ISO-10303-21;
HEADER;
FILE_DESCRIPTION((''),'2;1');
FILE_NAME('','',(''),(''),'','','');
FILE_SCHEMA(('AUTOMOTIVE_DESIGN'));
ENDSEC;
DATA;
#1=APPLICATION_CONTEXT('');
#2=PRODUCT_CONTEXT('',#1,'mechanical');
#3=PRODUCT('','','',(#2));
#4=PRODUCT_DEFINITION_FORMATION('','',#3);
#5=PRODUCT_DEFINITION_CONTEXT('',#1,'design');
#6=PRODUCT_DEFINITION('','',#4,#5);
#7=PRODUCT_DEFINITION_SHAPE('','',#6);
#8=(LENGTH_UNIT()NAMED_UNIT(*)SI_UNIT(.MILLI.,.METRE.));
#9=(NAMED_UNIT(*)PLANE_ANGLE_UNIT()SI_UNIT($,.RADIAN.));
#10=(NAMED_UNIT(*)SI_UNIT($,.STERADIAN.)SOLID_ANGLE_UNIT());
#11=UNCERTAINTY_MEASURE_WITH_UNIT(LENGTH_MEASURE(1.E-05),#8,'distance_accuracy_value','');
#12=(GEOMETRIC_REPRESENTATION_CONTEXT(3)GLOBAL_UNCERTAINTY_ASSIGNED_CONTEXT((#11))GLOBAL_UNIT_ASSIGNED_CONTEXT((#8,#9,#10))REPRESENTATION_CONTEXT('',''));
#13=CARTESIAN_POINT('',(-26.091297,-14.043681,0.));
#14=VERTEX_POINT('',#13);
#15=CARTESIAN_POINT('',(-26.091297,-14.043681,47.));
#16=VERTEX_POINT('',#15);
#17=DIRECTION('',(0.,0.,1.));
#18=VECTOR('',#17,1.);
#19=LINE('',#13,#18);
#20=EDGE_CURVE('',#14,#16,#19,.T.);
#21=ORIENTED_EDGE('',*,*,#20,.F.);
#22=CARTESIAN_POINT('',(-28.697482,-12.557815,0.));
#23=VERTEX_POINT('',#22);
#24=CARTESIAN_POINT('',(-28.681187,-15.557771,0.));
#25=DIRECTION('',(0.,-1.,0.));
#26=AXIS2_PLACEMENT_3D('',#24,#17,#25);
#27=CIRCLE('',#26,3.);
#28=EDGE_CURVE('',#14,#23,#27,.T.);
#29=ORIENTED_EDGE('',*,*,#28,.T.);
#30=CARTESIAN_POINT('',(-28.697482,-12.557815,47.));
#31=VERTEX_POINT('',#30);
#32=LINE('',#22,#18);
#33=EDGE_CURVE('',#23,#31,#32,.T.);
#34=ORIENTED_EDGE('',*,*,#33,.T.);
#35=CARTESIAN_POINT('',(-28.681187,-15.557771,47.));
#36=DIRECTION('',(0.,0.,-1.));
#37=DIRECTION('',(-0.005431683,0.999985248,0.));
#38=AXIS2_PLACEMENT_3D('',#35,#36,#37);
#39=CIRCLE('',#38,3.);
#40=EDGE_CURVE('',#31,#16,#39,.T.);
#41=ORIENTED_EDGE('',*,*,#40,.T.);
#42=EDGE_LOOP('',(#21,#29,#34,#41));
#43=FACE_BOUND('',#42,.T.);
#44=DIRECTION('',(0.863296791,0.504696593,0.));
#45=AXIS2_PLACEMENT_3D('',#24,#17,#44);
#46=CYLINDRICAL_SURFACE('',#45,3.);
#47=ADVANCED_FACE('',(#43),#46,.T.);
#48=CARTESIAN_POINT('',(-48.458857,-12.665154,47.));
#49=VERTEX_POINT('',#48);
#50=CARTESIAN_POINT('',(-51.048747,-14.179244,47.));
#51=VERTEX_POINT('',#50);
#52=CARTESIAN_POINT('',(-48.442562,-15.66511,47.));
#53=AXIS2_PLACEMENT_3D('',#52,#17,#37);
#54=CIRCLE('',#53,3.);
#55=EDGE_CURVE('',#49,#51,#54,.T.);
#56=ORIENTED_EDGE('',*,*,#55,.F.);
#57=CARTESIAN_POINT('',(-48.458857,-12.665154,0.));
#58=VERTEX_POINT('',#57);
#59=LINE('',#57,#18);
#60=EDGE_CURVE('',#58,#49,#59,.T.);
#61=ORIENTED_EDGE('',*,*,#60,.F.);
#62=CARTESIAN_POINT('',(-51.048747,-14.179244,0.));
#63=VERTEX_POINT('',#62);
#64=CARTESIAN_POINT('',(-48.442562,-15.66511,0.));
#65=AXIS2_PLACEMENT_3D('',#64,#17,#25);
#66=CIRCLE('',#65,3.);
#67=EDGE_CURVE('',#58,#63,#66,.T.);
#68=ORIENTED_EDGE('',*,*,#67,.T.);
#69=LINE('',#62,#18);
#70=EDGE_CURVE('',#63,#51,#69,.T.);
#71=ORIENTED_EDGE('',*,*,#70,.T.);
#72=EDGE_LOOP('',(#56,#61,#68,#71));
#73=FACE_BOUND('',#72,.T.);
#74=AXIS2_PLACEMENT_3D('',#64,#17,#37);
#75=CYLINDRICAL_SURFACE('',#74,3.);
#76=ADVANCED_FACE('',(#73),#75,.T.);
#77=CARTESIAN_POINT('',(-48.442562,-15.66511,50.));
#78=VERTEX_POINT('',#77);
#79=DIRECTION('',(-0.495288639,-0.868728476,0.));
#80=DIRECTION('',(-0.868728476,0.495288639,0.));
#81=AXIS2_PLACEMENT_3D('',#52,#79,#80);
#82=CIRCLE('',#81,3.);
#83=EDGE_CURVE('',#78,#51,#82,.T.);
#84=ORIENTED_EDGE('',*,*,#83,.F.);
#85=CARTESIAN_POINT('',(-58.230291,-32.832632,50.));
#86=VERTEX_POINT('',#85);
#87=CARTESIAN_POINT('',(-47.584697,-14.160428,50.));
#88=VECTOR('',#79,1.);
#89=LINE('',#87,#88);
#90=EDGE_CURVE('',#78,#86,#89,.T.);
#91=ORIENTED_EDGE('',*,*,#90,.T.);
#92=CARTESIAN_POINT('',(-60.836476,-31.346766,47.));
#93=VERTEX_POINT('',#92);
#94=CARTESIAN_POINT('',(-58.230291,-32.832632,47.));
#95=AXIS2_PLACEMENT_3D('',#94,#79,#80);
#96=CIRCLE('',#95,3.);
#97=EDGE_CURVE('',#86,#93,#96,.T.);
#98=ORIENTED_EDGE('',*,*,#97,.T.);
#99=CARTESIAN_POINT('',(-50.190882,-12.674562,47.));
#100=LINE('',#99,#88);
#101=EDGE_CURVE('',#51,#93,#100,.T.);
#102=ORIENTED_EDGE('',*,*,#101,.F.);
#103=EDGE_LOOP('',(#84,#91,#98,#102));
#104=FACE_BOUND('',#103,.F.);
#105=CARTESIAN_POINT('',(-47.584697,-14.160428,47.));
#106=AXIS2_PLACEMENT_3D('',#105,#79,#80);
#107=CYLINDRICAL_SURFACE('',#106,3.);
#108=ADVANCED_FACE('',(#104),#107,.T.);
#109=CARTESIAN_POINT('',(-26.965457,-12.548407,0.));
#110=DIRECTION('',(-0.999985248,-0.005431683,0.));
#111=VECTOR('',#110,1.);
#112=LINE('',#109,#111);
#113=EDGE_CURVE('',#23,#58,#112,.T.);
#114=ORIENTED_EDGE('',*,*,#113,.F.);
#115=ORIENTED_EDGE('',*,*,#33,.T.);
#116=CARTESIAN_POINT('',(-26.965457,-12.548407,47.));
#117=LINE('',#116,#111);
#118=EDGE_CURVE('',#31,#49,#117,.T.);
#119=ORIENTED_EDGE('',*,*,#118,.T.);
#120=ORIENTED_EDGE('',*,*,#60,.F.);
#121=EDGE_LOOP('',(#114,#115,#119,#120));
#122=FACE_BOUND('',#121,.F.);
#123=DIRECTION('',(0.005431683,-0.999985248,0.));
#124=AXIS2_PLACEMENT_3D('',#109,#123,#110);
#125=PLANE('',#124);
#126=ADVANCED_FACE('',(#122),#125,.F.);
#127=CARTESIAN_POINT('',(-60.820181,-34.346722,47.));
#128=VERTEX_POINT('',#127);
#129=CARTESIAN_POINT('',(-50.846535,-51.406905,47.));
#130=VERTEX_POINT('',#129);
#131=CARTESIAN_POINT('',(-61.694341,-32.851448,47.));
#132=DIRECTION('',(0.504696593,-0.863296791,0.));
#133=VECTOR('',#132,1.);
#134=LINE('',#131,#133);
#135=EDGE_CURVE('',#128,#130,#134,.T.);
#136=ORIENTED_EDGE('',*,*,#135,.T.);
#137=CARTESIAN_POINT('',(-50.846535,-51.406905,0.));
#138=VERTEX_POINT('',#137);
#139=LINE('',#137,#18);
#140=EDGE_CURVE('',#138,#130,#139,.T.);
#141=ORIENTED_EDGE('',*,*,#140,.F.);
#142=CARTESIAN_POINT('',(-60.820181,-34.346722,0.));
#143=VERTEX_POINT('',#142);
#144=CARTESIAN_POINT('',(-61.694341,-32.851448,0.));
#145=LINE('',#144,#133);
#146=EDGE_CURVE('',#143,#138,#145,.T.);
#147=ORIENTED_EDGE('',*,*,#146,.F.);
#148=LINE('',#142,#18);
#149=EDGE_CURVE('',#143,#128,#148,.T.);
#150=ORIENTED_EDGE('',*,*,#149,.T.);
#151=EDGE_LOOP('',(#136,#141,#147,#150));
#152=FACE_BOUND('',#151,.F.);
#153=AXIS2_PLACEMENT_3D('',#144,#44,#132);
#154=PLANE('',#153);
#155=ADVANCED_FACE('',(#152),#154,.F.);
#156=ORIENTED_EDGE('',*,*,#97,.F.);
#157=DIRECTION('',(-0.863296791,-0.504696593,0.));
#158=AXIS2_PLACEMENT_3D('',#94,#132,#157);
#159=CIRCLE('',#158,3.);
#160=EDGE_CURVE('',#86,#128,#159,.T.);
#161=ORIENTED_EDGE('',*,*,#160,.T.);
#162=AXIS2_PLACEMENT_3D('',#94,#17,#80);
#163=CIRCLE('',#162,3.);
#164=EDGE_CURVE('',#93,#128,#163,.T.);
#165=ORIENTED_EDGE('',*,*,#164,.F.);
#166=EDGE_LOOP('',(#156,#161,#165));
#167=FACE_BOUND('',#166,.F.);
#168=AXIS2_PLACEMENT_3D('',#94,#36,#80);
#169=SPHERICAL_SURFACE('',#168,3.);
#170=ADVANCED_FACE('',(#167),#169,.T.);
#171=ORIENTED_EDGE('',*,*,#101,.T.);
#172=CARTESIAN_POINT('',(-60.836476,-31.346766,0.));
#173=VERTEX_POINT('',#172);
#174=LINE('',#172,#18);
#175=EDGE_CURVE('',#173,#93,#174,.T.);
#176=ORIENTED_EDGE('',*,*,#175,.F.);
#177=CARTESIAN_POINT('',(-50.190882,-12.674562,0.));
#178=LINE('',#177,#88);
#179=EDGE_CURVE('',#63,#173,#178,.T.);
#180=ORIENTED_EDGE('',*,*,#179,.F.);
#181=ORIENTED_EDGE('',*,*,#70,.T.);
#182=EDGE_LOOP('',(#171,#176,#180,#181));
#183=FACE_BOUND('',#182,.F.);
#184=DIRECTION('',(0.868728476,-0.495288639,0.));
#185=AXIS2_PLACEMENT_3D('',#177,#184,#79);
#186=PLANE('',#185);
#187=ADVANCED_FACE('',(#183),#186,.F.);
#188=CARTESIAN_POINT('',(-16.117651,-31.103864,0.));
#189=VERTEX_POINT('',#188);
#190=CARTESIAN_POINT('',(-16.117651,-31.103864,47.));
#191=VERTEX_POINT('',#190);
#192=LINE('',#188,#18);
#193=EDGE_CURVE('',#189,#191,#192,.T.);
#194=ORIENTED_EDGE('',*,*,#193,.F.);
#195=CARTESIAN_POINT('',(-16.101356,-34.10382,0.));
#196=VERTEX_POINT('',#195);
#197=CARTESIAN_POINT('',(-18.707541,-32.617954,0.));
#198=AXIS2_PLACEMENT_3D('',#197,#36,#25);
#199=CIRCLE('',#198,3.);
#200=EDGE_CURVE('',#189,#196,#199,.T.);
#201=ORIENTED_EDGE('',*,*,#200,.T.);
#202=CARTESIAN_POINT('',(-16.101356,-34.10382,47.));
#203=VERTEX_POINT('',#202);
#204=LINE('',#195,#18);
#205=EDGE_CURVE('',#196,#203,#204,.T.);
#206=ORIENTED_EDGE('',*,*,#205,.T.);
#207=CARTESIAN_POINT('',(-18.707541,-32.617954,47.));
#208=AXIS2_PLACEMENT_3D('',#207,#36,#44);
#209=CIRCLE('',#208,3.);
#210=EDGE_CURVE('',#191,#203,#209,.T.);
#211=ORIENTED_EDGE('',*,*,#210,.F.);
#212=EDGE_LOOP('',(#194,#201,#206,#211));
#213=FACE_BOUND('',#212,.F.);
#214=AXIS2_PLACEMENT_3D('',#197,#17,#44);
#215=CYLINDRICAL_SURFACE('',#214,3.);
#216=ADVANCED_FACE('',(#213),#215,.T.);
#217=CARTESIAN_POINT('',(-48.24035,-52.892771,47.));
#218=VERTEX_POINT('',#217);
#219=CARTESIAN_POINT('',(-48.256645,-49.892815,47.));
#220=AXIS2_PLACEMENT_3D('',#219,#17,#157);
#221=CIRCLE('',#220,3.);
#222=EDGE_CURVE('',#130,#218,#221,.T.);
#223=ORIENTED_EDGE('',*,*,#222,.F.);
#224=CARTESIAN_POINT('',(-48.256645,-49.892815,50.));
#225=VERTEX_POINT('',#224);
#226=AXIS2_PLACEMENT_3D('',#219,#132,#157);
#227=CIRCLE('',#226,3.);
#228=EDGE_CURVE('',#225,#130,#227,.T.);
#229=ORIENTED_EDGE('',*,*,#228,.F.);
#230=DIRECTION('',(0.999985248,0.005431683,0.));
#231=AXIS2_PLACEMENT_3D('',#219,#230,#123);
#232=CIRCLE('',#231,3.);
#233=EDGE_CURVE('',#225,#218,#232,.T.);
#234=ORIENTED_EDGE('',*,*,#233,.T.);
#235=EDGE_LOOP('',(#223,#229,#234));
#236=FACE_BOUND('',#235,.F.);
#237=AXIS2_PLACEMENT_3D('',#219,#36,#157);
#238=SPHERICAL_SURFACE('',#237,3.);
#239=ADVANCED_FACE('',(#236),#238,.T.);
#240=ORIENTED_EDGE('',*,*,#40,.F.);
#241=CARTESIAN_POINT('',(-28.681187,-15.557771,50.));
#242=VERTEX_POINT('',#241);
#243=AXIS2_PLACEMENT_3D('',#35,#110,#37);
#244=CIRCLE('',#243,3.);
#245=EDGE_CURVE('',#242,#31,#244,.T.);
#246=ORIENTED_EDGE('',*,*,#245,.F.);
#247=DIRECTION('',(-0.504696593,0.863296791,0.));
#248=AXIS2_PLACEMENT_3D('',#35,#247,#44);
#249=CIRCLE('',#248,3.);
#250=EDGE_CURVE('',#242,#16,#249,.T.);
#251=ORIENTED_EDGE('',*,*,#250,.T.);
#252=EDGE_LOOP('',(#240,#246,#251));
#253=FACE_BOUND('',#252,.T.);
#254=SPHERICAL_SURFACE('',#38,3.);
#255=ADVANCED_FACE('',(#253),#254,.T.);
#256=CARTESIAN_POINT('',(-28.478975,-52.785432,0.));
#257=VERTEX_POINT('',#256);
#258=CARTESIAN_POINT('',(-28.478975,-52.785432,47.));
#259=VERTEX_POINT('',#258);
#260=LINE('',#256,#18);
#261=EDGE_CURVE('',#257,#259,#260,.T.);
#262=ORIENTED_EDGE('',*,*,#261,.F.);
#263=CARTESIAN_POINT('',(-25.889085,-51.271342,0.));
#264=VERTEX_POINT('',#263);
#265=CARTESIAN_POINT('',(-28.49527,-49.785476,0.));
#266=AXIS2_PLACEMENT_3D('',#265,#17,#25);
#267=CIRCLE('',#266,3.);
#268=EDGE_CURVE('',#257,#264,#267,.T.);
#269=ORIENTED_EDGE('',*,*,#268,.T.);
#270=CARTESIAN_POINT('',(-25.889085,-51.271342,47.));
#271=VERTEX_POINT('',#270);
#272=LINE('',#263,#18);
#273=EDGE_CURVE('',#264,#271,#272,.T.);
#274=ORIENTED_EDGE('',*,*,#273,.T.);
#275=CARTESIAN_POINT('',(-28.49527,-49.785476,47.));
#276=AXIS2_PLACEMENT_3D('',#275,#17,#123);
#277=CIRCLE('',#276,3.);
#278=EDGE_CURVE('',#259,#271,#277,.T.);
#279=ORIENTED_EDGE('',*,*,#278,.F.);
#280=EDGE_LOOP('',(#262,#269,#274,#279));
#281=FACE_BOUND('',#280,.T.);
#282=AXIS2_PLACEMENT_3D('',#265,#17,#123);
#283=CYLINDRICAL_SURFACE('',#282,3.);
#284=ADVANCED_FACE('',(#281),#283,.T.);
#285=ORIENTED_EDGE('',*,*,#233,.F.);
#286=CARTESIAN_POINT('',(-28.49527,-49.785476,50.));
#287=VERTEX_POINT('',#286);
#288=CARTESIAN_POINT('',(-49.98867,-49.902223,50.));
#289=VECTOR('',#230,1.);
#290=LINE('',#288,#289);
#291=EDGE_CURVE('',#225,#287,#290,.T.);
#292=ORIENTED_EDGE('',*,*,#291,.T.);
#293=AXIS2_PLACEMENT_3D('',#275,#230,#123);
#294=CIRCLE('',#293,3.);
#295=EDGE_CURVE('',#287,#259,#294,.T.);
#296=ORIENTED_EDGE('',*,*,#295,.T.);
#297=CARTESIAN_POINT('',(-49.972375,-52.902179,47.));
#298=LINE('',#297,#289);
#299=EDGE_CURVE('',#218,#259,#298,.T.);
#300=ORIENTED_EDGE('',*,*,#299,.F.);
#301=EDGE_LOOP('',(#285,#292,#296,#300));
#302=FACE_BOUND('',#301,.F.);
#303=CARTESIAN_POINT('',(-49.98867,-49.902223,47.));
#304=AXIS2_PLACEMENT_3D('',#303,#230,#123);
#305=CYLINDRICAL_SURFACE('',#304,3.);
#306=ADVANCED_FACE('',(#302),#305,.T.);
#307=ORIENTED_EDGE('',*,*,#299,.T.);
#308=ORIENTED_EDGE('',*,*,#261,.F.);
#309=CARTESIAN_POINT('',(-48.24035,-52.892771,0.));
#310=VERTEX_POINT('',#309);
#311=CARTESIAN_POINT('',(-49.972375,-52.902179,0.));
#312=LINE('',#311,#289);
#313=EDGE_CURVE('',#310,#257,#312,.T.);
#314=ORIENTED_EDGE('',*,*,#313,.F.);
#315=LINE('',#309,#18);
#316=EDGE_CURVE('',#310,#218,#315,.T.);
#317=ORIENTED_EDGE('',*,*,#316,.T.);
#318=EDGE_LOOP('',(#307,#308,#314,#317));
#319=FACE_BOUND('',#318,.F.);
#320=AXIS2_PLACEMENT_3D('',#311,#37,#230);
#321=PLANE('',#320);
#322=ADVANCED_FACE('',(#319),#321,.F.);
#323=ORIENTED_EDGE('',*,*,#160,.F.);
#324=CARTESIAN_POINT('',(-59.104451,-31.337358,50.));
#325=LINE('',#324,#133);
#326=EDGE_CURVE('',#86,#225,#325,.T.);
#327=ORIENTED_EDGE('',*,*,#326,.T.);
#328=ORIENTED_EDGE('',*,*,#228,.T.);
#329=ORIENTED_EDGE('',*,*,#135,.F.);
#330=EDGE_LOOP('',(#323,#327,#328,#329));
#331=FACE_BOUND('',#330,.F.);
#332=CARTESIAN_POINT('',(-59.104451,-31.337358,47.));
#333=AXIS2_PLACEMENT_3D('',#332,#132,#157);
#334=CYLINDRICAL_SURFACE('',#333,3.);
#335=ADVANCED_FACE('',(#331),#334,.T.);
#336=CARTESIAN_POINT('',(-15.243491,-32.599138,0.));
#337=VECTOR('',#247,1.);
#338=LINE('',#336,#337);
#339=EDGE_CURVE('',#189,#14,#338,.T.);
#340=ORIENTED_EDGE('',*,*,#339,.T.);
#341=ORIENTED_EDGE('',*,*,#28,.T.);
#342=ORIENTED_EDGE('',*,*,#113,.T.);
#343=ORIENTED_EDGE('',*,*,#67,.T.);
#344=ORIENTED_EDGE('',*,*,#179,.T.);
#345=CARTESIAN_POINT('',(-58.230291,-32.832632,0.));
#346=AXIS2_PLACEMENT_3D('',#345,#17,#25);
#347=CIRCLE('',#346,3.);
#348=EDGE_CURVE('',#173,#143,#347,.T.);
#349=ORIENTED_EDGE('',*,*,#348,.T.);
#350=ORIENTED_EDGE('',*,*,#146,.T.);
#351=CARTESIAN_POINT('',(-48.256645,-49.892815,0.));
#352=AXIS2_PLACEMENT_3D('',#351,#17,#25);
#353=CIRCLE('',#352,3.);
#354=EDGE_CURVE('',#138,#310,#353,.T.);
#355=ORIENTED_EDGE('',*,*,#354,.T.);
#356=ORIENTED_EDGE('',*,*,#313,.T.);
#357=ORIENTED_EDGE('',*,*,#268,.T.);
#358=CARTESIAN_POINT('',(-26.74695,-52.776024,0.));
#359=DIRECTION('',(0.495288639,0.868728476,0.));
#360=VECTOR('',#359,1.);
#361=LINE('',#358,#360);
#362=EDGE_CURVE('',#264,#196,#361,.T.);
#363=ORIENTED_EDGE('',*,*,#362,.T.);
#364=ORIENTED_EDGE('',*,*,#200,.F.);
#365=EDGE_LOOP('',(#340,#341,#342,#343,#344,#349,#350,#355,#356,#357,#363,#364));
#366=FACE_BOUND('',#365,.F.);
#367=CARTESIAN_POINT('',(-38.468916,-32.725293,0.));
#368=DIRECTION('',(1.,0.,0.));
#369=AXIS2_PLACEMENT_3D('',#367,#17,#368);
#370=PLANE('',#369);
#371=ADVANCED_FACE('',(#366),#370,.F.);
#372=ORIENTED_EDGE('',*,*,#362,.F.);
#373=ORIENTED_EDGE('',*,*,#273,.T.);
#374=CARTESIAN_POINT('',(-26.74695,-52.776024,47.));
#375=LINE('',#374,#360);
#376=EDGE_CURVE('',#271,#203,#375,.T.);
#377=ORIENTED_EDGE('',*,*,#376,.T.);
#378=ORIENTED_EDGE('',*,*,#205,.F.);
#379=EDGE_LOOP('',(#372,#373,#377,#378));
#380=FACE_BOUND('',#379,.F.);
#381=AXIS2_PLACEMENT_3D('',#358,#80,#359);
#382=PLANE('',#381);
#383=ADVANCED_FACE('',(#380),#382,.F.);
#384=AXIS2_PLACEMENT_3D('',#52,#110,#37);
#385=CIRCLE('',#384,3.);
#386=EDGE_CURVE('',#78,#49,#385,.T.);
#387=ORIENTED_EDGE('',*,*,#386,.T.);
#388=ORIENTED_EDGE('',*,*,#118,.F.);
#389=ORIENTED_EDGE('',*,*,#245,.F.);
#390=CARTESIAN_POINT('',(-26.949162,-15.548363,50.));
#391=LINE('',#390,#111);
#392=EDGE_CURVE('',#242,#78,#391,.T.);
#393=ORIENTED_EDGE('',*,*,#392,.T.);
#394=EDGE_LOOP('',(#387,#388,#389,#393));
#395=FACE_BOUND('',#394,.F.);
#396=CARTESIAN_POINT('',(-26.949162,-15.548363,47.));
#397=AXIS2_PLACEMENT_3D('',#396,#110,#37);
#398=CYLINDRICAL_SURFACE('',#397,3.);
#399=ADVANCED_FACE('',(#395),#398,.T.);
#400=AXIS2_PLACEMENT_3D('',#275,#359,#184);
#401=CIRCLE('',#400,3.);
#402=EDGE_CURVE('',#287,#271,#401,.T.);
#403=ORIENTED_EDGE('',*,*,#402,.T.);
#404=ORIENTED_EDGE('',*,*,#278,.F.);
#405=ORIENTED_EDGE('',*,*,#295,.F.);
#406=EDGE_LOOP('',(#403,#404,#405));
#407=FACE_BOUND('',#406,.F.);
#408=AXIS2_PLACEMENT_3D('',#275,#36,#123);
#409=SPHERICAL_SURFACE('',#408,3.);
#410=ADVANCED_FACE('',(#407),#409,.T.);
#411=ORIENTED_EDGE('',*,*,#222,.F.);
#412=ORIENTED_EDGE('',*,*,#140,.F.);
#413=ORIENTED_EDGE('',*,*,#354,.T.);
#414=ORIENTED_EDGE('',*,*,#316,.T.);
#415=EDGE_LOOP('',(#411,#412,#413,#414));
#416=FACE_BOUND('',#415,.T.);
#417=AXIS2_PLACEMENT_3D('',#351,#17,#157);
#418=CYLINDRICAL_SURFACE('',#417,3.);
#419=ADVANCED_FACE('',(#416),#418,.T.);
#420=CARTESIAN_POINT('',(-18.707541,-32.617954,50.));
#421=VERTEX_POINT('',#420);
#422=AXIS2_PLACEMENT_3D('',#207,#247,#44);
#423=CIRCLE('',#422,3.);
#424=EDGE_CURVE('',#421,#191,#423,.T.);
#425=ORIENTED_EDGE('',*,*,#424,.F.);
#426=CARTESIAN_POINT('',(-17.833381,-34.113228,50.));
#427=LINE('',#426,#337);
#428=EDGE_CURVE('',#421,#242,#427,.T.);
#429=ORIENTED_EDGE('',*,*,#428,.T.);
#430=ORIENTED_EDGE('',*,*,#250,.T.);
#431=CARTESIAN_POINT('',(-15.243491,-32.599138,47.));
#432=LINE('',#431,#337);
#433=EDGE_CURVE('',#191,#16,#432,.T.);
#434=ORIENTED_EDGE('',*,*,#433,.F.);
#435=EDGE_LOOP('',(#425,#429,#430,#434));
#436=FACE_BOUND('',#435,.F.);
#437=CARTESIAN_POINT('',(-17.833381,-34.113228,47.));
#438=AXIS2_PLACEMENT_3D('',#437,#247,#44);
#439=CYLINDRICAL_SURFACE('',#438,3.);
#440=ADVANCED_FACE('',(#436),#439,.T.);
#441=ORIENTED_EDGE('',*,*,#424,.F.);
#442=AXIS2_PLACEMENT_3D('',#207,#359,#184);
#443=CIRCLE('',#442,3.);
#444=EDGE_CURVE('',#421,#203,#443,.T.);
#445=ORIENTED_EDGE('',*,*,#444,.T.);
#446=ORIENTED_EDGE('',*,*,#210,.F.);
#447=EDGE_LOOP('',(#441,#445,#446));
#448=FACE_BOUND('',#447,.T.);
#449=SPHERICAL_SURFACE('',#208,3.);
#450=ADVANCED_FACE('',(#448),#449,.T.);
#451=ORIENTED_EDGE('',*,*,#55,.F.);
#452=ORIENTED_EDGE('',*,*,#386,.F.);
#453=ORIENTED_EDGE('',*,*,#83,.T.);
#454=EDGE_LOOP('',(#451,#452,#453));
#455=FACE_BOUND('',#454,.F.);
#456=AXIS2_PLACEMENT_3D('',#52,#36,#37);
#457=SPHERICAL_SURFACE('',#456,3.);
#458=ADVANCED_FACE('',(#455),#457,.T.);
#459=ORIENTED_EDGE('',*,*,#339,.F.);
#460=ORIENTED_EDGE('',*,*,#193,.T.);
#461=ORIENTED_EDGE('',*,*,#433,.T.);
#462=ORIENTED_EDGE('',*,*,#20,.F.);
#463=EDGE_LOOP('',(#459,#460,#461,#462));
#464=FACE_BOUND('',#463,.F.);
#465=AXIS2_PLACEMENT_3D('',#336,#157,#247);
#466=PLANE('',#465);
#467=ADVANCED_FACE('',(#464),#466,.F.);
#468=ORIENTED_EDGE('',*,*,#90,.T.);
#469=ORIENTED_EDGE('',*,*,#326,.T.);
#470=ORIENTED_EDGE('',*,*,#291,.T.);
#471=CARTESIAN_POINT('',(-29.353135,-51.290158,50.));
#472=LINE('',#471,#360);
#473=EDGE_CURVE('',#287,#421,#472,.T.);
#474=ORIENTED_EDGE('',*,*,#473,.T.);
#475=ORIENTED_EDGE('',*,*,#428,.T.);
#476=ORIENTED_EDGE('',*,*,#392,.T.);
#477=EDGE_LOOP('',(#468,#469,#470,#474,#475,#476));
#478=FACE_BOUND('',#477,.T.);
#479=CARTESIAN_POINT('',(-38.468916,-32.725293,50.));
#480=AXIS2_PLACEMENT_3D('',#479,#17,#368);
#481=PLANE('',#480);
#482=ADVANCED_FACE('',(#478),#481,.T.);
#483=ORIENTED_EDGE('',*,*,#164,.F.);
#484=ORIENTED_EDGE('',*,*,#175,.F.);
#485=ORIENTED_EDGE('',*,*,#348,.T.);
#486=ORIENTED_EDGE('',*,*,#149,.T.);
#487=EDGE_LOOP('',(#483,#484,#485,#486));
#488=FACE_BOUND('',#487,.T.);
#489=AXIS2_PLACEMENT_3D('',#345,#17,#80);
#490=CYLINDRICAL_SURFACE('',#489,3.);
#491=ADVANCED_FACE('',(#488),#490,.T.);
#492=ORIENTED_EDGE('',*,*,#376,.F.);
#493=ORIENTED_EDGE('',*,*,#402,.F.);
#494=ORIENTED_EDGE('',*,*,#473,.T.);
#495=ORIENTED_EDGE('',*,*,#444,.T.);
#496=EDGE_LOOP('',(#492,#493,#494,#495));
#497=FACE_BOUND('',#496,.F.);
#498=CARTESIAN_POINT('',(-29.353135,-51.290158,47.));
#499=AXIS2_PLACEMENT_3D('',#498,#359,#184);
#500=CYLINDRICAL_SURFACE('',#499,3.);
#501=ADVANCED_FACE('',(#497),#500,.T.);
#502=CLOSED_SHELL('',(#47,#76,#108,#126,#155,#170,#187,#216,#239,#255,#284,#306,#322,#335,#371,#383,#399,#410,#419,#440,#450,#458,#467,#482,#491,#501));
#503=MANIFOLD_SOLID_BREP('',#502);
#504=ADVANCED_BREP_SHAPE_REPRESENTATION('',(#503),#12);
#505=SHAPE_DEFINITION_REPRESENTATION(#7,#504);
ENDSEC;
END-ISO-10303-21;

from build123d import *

# Parameters (mm, degrees)
F1_DEPTH = 50
F2_R     = 3


with BuildPart() as f1:
    # F0 (on Top) → F1 (new body)
    with BuildSketch(Plane.XY):
        Polygon((-15.243491, -32.599138), (-26.965457, -12.548407), (-50.190882, -12.674562), (-61.694341, -32.851448), (-49.972375, -52.902179), (-26.74695, -52.776024), align=None)
    extrude(amount=F1_DEPTH)

    # F2
    f2_edges = [f1.edges().sort_by_distance(p)[0] for p in [
        (-38.578169, -12.611485, 50),
        (-55.942612, -22.763005, 50),
        (-55.833358, -42.876814, 50),
        (-21.104474, -22.573773, 50),
        (-38.359663, -52.839102, 50),
        (-20.99522, -42.687581, 50),
        (-50.190882, -12.674562, 25),
        (-61.694341, -32.851448, 25),
        (-26.965457, -12.548407, 25),
        (-15.243491, -32.599138, 25),
        (-26.74695, -52.776024, 25),
        (-49.972375, -52.902179, 25),
    ]]
    fillet(f2_edges, radius=F2_R)


solid = f1.part
